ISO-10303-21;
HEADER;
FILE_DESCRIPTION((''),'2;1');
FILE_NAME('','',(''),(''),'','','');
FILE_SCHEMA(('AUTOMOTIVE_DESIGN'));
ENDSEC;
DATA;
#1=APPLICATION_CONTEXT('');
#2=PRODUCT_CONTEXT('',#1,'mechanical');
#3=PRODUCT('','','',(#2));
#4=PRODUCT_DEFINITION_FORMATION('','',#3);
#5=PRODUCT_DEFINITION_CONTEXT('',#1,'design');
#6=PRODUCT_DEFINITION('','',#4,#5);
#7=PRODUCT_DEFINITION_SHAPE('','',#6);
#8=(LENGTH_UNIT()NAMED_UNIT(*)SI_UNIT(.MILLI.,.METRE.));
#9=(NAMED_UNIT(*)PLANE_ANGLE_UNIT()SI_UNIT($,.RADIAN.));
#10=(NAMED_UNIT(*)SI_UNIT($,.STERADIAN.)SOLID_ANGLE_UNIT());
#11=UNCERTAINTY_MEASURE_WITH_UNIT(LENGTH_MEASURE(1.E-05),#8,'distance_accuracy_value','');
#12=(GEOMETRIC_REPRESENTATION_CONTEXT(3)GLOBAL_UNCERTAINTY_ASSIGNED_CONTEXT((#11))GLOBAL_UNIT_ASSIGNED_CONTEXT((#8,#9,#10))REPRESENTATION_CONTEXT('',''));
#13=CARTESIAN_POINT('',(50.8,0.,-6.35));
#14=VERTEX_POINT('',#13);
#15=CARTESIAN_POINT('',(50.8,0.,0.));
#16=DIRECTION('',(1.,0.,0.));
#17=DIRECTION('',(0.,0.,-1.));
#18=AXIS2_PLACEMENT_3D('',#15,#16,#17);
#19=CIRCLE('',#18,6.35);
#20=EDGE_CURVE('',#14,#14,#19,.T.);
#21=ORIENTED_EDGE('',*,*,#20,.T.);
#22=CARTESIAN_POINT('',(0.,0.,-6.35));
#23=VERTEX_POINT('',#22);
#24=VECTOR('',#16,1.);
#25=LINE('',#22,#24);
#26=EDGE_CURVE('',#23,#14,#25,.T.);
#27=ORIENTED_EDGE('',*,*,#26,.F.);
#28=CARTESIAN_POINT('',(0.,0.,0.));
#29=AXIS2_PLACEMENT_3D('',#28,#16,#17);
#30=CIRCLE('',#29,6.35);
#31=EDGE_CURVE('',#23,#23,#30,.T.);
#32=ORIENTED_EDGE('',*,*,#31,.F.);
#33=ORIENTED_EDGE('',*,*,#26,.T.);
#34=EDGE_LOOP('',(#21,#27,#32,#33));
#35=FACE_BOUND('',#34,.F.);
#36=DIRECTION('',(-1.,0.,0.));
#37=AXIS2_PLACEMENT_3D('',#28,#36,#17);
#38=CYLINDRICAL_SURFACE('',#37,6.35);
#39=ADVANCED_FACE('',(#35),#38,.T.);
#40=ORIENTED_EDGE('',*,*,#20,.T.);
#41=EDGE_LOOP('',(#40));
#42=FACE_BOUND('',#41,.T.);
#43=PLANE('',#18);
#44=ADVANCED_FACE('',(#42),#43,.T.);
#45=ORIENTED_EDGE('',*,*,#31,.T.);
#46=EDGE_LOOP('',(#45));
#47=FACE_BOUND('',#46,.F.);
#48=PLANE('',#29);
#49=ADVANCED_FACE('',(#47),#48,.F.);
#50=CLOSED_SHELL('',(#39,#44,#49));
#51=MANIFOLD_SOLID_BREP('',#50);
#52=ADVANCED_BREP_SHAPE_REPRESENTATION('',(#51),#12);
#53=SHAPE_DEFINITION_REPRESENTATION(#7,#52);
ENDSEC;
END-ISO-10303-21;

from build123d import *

# Parameters (mm, degrees)
SKETCH1_R           = 6.35
BOSS_EXTRUDE1_DEPTH = 50.8


with BuildPart() as part:
    # Sketch1 → Boss-Extrude1 (new body)
    with BuildSketch(Plane(origin=(0, 0, 0), x_dir=(0, 0, -1), z_dir=(1, 0, 0))):
        Circle(SKETCH1_R)
    extrude(amount=BOSS_EXTRUDE1_DEPTH)


solid = part.part
